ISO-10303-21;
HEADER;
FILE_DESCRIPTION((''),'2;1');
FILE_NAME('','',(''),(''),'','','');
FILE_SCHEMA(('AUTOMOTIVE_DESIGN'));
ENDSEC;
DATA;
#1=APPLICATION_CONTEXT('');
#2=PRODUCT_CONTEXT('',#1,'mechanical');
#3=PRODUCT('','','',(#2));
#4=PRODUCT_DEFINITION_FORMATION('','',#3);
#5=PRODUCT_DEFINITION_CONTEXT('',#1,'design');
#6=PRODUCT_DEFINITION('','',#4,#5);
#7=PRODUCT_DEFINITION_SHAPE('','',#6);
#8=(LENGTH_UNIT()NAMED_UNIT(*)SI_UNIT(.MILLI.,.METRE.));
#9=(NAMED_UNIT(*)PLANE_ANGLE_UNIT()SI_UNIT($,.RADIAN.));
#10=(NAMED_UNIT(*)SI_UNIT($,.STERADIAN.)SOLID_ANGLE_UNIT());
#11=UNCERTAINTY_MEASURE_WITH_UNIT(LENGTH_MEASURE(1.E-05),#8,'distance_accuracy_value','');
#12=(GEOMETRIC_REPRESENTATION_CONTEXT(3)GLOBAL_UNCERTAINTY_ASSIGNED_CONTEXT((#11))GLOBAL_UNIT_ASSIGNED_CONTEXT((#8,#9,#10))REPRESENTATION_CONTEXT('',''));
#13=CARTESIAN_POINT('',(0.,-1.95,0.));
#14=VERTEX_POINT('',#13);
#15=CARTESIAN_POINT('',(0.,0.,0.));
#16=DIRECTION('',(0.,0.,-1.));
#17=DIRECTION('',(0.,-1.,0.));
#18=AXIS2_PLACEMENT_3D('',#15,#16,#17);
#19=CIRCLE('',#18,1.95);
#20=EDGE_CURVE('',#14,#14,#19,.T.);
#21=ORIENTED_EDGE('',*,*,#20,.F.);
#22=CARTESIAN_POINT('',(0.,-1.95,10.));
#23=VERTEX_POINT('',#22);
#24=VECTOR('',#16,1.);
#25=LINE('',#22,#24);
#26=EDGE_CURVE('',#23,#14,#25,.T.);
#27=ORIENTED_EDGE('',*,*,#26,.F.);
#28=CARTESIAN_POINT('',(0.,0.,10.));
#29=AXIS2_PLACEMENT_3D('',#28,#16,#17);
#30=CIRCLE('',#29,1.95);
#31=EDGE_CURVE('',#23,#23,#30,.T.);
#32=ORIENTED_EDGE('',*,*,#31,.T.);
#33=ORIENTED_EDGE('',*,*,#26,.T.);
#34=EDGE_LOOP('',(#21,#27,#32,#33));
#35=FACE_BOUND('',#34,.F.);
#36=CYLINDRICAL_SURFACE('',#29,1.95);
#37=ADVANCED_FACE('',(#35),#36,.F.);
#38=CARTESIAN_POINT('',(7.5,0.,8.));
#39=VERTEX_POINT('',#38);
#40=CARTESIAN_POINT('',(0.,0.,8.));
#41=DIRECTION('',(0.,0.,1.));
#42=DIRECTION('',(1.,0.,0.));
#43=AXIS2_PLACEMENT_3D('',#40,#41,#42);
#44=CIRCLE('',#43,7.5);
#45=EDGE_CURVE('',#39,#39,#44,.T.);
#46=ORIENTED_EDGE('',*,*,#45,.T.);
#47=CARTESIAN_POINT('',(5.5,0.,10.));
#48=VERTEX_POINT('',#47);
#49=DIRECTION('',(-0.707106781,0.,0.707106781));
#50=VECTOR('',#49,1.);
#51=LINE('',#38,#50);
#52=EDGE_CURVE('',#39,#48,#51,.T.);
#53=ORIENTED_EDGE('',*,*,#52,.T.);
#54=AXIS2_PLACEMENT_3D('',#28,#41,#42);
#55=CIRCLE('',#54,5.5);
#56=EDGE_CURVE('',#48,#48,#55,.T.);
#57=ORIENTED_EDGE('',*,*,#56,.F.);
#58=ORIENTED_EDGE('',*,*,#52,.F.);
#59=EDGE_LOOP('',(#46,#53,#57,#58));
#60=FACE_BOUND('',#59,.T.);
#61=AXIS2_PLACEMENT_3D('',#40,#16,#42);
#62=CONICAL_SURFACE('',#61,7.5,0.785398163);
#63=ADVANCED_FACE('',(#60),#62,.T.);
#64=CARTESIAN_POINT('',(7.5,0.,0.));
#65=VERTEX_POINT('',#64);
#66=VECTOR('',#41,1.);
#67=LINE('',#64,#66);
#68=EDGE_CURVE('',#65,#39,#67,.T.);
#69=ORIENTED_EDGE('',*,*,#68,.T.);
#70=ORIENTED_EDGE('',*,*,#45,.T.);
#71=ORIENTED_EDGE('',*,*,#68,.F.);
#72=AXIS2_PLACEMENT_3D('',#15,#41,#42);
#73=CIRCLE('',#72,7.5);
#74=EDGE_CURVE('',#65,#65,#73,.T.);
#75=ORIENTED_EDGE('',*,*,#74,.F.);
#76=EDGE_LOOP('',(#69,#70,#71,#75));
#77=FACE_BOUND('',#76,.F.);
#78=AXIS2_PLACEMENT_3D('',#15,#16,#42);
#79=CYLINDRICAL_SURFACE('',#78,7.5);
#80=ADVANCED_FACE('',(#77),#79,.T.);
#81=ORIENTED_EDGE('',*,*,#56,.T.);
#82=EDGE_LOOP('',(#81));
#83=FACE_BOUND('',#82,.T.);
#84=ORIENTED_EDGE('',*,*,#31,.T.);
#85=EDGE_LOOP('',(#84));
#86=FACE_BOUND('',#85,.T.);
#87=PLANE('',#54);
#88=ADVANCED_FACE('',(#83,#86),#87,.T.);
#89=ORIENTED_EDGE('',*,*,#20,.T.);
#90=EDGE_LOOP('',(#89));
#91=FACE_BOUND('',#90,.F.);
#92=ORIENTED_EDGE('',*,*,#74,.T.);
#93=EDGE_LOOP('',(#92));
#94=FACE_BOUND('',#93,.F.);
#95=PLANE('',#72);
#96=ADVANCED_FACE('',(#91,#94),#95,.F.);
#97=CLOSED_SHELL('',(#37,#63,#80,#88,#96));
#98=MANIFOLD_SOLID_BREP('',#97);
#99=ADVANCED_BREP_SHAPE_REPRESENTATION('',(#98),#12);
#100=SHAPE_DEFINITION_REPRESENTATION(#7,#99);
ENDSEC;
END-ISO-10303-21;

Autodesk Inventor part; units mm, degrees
ref_plane "YZ Plane" through (0, 0, 0) normal (1, 0, 0) x (0, 1, 0)
ref_plane "XZ Plane" through (0, 0, 0) normal (0, 1, 0) x (-1, 0, 0)
ref_plane "XY Plane" through (0, 0, 0) normal (0, 0, 1) x (1, 0, 0)
sketch "Эскиз1" plane through (0, 0, 0) normal (0, 0, 1) x (1, 0, 0)
  circle A0 centre (0, 0) radius 7.5
  dimension "d0" = 15
extrude "Выдавливание1" add sketch "Эскиз1" along normal blind 10
sketch "Эскиз2" plane through (0, 0, 10) normal (0, 0, 1) x (1, 0, 0)
  point P0 (0, 0)
hole "Отверстие1" at (0, 0, 10) direction (0, 0, -1) diameter 3.9 end through all
chamfer "Фаска1" distance 2 angle 45 1 edges at (-7.5, 0, 10)
properties part number "Упор_В2" material "По умолчанию1"
